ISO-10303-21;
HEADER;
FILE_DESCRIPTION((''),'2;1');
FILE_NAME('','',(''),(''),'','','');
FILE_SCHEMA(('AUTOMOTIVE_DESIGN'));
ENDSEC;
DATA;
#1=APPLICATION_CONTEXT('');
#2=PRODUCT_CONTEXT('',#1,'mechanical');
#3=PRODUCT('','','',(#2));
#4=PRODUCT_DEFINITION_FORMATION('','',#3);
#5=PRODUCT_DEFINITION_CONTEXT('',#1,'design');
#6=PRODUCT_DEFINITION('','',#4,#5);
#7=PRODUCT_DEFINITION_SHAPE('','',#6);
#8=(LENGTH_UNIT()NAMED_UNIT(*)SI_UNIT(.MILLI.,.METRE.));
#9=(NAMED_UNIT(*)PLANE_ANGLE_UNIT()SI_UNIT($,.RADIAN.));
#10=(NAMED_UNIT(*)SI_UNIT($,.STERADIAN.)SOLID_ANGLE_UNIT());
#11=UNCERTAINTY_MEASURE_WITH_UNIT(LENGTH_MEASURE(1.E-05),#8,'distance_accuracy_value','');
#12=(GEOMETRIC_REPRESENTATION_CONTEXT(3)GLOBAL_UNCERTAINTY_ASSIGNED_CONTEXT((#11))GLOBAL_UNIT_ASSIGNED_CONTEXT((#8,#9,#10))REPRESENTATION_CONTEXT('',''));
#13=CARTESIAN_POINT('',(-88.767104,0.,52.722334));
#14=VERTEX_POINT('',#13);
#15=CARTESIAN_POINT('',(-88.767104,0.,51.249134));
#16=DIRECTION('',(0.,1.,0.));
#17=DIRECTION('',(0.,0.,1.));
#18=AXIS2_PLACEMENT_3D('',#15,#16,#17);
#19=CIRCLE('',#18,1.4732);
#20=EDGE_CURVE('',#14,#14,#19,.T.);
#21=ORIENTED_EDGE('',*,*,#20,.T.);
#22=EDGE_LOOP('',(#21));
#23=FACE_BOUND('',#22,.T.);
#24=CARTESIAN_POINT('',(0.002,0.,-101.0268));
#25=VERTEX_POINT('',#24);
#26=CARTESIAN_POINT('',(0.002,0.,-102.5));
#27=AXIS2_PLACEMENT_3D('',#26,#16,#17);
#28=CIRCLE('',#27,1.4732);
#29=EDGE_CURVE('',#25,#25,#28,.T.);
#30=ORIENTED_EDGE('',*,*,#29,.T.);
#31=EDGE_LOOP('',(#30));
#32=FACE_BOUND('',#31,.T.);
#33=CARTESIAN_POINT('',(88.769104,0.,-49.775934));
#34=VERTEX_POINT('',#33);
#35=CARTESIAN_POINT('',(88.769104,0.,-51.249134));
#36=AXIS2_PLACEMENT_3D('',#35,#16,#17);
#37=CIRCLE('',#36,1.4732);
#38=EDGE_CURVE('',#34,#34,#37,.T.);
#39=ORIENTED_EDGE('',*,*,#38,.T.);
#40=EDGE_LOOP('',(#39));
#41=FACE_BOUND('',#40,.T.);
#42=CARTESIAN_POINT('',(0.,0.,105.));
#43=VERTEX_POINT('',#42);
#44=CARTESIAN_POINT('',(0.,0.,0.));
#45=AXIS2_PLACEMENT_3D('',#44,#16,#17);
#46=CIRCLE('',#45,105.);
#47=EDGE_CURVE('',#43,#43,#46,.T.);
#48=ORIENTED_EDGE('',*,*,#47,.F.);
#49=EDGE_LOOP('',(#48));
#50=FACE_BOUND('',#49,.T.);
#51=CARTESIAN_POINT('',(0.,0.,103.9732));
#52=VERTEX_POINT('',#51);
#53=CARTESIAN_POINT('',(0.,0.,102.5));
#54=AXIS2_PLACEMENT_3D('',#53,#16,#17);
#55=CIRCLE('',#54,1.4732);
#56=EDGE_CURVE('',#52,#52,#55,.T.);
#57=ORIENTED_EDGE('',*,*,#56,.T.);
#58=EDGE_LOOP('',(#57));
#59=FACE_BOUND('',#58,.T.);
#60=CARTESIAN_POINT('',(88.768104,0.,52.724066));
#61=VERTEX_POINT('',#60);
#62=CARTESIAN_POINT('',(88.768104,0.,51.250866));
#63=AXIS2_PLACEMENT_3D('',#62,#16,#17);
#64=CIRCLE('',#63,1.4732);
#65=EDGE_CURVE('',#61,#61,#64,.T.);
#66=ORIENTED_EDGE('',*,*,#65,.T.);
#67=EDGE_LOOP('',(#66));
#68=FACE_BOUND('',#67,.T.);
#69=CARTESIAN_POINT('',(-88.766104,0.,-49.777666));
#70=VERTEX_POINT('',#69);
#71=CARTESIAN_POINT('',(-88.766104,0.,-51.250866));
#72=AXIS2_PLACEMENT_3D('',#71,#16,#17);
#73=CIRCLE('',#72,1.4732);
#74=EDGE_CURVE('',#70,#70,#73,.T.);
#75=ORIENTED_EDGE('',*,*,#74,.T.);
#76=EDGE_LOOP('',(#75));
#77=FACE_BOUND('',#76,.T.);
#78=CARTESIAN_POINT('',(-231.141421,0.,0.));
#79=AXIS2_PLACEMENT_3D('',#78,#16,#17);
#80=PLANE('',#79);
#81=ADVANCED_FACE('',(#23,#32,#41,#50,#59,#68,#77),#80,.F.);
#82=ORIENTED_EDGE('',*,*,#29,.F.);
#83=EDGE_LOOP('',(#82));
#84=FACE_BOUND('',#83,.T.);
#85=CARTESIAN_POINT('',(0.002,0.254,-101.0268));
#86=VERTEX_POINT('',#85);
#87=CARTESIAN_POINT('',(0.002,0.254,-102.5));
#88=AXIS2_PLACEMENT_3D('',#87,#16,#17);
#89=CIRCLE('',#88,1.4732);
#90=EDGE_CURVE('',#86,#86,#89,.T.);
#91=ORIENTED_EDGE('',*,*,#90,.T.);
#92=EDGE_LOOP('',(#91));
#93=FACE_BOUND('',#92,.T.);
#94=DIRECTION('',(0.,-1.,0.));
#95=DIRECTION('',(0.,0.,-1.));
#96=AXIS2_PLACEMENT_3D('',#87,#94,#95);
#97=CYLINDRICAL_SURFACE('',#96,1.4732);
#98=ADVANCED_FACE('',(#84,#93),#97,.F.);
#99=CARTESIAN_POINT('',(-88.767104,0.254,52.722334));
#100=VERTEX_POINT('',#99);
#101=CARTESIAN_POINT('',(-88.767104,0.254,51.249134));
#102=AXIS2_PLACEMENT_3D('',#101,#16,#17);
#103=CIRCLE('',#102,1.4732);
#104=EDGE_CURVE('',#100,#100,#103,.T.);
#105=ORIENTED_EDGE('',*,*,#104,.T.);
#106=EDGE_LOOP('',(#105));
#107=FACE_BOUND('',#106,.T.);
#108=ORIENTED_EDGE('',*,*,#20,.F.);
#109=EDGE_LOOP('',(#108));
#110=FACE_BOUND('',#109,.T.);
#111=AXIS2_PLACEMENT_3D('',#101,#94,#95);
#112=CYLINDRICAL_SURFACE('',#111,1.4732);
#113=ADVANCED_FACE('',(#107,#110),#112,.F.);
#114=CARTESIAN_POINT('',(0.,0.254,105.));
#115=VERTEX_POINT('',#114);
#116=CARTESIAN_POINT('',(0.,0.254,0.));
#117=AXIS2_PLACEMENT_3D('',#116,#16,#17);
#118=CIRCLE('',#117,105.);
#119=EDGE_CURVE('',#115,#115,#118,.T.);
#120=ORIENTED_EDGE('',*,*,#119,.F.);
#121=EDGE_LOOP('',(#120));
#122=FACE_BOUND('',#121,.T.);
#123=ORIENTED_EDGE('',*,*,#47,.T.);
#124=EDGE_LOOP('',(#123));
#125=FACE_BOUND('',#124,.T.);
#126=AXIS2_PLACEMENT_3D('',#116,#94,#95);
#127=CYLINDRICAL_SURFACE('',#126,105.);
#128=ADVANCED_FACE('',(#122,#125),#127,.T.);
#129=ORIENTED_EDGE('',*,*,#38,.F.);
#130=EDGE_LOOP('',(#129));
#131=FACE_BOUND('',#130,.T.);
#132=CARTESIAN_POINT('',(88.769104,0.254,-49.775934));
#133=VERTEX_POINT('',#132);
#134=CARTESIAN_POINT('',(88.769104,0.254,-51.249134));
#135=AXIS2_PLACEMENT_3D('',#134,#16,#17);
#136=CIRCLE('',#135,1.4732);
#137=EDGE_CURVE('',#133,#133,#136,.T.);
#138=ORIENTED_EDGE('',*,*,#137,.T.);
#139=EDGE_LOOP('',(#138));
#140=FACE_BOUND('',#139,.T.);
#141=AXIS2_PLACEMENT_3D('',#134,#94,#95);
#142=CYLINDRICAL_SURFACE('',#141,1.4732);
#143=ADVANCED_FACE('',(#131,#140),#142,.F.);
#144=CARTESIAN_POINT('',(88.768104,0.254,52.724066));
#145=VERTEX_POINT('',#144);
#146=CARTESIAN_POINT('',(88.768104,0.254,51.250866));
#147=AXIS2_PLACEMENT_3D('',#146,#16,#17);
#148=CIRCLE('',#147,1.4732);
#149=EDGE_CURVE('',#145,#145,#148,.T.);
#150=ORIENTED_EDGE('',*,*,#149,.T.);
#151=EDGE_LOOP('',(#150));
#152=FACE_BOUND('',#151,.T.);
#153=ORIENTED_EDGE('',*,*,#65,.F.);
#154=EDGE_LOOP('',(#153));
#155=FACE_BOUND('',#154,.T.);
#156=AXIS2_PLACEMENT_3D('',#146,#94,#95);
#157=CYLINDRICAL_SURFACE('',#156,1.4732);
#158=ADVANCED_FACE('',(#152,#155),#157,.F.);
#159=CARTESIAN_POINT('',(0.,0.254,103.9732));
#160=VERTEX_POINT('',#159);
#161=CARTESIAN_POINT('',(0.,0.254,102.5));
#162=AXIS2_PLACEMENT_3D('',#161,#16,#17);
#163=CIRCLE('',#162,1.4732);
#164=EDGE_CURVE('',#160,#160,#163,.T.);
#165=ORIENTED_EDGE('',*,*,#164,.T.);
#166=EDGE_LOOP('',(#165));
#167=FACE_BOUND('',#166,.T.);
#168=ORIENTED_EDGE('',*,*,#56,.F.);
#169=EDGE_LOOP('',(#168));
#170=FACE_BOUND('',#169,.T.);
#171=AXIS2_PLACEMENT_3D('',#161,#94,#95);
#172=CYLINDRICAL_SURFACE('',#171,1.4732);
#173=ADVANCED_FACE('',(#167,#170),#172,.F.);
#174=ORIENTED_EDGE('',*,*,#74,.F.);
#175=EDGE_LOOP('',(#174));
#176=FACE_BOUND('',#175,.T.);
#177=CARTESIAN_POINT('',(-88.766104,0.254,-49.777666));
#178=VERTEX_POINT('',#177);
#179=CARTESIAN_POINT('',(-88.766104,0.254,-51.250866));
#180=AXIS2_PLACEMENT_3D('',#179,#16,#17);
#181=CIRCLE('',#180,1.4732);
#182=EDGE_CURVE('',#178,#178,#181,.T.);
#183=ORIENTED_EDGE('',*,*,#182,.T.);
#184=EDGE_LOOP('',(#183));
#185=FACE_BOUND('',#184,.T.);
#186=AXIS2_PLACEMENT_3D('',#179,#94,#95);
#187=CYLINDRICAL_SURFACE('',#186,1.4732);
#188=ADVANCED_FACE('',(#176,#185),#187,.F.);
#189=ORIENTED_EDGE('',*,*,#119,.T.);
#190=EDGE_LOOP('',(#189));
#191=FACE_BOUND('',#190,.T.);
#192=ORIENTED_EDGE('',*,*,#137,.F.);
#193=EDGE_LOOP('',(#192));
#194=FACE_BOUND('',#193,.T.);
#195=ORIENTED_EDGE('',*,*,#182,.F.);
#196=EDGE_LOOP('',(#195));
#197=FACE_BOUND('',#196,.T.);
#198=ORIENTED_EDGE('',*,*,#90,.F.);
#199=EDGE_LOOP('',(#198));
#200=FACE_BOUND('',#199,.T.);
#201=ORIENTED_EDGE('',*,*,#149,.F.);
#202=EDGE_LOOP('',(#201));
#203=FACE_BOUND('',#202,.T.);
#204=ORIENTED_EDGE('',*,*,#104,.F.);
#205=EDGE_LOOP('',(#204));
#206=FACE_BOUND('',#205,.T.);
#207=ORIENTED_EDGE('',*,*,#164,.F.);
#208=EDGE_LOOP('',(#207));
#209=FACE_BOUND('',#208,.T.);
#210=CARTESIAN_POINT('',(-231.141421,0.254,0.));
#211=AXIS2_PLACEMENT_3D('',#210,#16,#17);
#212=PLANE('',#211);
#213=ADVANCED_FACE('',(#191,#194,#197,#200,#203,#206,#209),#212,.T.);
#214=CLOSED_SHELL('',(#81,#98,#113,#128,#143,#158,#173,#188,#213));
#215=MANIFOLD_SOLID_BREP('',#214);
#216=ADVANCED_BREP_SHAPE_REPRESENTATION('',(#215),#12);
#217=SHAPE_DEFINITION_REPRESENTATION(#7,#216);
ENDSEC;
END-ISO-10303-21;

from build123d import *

# Parameters (mm, degrees)
SKETCH1_R           = 105
SKETCH1_R_2         = 1.4732
SKETCH1_R_3         = 100
BOSS_EXTRUDE1_DEPTH = 0.254


with BuildPart() as part:
    # Sketch1 → Boss-Extrude1 (new body)
    # profile 1 of 2: a face of its own
    with BuildSketch(Plane(origin=(0, 0, 0), x_dir=(1, 0, 0), z_dir=(0, 1, 0))):
        with Locations(Location((0, 0, 0), (0, 0, 270))):
            Circle(SKETCH1_R)
        with Locations(Location((88.768103888, -51.250866025, 0), (0, 0, 270))):
            Circle(SKETCH1_R_2, mode=Mode.SUBTRACT)
        with Locations(Location((88.769103888, 51.249133975, 0), (0, 0, 270))):
            Circle(SKETCH1_R_2, mode=Mode.SUBTRACT)
        with Locations(Location((0.002, 102.5, 0), (0, 0, 270))):
            Circle(SKETCH1_R_2, mode=Mode.SUBTRACT)
        with Locations(Location((-88.766103888, 51.250866025, 0), (0, 0, 270))):
            Circle(SKETCH1_R_2, mode=Mode.SUBTRACT)
        with Locations(Location((-88.767103888, -51.249133975, 0), (0, 0, 270))):
            Circle(SKETCH1_R_2, mode=Mode.SUBTRACT)
        with Locations(Location((0, -102.5, 0), (0, 0, 270))):
            Circle(SKETCH1_R_2, mode=Mode.SUBTRACT)
        Circle(SKETCH1_R_3, mode=Mode.SUBTRACT)
    # profile 2 of 2: a face of its own
    with BuildSketch(Plane(origin=(0, 0, 0), x_dir=(1, 0, 0), z_dir=(0, 1, 0))):
        Circle(SKETCH1_R_3)
    extrude(amount=BOSS_EXTRUDE1_DEPTH)


solid = part.part
